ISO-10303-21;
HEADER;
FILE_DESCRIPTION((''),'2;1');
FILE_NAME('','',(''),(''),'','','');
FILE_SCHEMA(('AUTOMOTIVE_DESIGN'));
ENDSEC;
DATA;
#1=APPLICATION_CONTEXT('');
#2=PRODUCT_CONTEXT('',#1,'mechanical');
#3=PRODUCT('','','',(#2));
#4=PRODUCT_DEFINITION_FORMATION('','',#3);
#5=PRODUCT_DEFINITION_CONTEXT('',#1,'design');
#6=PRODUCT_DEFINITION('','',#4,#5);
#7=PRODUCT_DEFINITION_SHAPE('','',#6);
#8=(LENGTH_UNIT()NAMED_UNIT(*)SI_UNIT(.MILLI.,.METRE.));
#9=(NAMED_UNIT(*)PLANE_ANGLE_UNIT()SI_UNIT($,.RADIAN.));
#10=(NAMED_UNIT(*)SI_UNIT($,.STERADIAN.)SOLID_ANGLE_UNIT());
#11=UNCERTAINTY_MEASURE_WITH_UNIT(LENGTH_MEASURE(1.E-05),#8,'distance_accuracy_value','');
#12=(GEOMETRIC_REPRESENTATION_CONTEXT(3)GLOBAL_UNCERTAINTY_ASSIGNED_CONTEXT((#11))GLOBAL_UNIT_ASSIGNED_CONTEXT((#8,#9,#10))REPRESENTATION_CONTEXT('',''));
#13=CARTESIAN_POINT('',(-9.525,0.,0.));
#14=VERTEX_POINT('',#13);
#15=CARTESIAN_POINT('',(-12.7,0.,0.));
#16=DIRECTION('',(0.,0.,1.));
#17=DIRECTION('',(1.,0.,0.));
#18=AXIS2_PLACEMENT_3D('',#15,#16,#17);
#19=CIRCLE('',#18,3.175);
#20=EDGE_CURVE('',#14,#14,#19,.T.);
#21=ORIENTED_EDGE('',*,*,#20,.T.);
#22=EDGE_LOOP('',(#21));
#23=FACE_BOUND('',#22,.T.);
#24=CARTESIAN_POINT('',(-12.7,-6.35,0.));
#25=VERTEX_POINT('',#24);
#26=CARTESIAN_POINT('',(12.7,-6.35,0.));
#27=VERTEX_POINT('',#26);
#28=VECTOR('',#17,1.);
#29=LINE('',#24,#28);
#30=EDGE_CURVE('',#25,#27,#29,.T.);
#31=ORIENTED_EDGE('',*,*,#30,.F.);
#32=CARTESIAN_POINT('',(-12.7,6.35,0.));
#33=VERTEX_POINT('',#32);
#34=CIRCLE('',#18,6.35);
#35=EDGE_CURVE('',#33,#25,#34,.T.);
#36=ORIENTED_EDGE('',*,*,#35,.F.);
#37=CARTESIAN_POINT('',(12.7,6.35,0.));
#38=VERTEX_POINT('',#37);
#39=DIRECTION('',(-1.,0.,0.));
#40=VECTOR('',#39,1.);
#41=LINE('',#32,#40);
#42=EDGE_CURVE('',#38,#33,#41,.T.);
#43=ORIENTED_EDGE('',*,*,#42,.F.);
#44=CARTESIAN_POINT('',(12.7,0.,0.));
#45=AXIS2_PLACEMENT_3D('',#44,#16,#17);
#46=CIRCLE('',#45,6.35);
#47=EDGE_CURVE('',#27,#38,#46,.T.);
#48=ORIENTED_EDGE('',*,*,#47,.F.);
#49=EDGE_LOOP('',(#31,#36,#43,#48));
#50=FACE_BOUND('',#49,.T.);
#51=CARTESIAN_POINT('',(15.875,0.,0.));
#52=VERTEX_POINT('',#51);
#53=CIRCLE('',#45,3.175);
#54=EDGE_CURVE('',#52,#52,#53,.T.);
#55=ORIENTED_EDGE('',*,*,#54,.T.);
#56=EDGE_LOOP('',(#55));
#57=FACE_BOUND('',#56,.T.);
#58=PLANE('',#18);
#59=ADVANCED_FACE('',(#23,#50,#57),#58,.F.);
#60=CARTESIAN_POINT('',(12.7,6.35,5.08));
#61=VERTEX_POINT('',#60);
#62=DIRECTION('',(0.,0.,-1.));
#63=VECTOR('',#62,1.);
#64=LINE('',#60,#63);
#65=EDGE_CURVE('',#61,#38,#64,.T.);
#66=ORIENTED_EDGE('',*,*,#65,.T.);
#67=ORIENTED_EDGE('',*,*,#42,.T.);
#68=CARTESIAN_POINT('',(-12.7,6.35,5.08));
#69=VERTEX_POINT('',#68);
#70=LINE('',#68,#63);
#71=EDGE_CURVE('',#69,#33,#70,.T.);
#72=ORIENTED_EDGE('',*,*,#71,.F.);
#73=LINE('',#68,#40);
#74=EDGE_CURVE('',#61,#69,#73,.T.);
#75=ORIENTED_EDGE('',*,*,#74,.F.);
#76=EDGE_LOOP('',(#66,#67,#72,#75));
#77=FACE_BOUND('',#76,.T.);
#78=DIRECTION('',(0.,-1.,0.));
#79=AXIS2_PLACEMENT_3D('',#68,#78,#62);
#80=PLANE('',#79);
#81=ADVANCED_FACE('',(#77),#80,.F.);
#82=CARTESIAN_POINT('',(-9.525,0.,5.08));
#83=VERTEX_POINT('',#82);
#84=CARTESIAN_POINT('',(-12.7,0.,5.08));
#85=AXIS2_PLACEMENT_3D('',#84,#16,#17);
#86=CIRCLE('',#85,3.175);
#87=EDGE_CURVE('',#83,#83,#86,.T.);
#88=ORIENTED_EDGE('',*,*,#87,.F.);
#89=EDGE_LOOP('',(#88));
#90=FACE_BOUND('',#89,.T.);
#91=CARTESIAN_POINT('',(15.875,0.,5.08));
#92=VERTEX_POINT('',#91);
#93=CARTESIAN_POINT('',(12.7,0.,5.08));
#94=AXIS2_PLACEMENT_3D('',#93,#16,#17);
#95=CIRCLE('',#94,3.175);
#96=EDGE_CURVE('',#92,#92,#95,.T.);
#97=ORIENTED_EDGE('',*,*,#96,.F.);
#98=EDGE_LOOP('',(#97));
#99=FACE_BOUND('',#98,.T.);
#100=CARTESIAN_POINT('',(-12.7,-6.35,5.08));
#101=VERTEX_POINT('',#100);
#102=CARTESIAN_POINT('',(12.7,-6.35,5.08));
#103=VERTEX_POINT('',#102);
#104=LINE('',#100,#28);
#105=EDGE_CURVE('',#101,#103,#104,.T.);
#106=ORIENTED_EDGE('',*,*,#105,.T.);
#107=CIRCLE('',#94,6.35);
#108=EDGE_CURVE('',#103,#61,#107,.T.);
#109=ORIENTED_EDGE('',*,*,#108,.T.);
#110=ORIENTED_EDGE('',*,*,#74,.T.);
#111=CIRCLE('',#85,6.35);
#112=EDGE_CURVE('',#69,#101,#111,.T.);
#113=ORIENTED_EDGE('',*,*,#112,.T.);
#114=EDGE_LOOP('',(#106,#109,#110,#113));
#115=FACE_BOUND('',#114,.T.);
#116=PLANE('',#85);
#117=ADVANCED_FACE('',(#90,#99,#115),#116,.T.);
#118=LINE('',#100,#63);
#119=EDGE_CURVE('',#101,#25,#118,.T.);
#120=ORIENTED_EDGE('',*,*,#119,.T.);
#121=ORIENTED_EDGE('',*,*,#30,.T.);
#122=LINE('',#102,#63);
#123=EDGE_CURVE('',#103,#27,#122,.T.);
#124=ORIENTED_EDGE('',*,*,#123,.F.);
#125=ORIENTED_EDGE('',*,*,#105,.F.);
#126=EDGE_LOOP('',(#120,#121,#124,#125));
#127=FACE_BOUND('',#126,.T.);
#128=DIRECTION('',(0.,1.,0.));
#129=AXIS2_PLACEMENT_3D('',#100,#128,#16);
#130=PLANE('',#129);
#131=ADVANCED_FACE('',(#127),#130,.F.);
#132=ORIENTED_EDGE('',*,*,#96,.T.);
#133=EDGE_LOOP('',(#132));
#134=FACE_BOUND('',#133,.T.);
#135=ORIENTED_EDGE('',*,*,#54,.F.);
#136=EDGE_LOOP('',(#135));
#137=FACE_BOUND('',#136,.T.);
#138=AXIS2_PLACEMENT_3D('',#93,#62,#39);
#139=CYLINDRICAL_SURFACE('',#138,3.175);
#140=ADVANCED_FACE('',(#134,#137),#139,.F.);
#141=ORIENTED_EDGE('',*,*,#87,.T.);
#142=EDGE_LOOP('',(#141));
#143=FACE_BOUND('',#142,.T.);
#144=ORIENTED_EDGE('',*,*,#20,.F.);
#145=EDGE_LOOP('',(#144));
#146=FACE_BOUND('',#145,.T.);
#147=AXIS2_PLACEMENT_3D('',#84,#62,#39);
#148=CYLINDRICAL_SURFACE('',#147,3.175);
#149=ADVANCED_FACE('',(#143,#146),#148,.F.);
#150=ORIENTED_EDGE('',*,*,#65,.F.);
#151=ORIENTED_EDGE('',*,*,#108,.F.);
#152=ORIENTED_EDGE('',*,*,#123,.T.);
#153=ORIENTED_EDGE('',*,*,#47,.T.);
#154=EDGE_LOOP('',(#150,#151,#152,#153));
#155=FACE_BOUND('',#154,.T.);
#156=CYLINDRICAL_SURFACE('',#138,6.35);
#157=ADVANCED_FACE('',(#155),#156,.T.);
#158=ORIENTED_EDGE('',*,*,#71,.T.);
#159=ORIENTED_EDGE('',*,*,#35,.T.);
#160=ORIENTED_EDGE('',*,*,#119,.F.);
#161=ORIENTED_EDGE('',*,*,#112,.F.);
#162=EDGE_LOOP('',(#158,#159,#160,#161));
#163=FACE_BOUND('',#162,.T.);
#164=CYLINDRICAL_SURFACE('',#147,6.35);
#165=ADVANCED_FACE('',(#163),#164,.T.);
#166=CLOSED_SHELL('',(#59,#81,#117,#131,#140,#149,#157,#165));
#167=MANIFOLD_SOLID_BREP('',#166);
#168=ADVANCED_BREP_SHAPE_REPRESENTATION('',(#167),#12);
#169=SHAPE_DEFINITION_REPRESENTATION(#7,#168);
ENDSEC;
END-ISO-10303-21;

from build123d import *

# Parameters (mm, degrees)
SKETCH1_R           = 3.175
BOSS_EXTRUDE1_DEPTH = 5.08


with BuildPart() as part:
    # Sketch1 → Boss-Extrude1 (new body)
    with BuildSketch(Plane.XY):
        with BuildLine():
            Line((-12.7, 6.35), (12.7, 6.35))
            ThreePointArc((12.7, 6.35), (19.05, 0), (12.7, -6.35))
            Line((12.7, -6.35), (-12.7, -6.35))
            ThreePointArc((-12.7, -6.35), (-19.05, 0), (-12.7, 6.35))
        make_face()
        with Locations((-12.7, 0)):
            Circle(SKETCH1_R, mode=Mode.SUBTRACT)
        with Locations((12.7, 0)):
            Circle(SKETCH1_R, mode=Mode.SUBTRACT)
    extrude(amount=BOSS_EXTRUDE1_DEPTH)


solid = part.part
